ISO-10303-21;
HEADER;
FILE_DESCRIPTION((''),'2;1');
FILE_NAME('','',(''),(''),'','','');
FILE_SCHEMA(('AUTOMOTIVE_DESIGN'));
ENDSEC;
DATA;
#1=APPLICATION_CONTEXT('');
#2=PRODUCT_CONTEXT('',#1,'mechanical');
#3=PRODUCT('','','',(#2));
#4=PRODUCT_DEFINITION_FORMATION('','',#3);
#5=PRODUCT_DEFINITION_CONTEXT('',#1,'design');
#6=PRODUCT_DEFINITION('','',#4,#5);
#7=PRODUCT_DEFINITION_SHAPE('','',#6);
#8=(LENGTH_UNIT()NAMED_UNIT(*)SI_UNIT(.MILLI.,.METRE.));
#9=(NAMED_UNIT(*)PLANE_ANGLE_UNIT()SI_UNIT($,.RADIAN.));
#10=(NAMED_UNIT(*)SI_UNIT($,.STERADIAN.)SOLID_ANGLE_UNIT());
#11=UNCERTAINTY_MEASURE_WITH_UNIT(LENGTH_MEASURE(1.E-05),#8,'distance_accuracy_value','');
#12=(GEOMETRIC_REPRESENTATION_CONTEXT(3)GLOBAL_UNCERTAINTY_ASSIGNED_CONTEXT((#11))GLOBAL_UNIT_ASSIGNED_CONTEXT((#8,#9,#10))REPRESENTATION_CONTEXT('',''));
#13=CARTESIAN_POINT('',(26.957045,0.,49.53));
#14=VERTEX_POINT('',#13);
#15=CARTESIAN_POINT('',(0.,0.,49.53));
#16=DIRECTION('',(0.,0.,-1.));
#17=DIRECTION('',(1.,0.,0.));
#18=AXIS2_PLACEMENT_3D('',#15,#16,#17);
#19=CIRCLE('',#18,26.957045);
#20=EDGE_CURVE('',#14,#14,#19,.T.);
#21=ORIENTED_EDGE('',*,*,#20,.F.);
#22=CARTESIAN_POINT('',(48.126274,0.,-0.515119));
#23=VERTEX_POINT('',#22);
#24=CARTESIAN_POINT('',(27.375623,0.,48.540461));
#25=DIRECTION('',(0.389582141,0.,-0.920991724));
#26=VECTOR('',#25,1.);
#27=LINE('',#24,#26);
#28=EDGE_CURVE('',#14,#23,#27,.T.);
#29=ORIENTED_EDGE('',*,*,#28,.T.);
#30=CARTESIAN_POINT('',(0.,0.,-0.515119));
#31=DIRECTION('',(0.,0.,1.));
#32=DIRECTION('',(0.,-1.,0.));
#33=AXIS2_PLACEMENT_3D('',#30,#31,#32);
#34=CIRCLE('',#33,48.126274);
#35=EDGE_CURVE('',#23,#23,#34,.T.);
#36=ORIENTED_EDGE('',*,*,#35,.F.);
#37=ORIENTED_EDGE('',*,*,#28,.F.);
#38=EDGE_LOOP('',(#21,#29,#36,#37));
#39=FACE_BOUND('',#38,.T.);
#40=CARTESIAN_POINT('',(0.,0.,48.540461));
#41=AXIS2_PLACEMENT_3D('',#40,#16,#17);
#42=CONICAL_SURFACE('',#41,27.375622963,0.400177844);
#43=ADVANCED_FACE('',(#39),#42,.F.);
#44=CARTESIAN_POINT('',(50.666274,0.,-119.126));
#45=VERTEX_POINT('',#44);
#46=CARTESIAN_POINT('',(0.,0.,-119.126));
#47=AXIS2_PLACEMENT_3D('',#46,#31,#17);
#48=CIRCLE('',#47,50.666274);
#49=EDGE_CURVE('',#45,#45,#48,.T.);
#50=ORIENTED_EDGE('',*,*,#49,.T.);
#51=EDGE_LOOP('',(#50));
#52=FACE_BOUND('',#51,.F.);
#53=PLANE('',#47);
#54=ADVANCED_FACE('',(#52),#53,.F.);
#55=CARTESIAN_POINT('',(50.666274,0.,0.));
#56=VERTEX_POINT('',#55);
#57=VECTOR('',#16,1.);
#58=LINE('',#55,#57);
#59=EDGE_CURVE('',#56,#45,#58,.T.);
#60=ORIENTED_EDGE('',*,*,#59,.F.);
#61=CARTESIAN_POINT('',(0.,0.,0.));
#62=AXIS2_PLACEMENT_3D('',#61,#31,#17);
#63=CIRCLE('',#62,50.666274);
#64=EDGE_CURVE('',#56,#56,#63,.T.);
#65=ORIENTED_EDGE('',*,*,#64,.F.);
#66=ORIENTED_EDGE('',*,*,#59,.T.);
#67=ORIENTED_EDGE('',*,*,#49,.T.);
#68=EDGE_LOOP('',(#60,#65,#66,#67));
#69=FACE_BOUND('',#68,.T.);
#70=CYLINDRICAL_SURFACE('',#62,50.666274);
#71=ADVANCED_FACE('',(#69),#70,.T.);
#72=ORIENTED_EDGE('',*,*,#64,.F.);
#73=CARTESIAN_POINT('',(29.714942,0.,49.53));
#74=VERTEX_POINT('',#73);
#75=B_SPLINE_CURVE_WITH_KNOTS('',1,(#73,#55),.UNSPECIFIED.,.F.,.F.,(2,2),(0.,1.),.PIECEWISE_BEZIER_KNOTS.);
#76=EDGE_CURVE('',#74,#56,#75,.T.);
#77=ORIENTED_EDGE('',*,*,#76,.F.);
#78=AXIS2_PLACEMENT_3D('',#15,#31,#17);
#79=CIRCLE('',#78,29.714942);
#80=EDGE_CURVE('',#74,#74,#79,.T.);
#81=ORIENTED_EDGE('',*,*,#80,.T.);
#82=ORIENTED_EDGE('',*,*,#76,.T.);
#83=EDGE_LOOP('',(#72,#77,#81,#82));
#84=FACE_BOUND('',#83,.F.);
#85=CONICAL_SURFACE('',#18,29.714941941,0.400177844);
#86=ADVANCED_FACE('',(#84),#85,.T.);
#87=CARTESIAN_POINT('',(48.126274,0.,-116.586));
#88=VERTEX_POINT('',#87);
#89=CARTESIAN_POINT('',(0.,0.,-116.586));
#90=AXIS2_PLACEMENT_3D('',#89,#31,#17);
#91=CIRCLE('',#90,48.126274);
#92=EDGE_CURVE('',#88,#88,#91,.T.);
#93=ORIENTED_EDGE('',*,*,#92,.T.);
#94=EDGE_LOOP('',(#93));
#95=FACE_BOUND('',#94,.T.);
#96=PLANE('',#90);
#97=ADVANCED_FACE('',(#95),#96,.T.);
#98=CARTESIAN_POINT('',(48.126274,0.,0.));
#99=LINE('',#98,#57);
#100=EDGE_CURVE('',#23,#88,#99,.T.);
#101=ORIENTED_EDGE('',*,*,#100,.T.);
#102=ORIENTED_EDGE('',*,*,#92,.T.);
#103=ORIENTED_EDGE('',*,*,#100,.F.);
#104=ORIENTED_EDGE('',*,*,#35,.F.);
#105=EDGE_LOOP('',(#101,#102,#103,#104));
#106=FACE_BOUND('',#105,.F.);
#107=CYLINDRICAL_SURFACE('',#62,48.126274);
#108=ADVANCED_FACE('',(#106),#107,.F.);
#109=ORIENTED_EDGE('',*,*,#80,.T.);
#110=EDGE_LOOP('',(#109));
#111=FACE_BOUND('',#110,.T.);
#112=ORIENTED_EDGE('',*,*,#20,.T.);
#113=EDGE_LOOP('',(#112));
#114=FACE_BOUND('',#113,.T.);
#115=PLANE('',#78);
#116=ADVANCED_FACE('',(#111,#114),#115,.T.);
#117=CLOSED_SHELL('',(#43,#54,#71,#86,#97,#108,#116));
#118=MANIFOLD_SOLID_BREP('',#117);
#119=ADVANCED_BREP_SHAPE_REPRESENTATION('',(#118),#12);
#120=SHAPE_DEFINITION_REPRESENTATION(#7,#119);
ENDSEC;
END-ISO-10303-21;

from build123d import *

# Parameters (mm, degrees)
F2_R     = 29.7149419412
F0_R     = 50.6662740333
F4_DEPTH = 119.126
F5_T     = -2.54


with BuildPart() as f3:
    # F2 (on offset) → F3 section 0
    with BuildSketch(Plane.XY.offset(49.53)):
        Circle(F2_R)
    # F0 (on Top) → F3 section 1
    with BuildSketch(Plane.XY):
        Circle(F0_R)
    loft()

    # F4 (add): a face of the model
    f4_faces = [f3.faces().sort_by_distance(p)[0] for p in [
        (0, 0, 0),
    ]]
    extrude(f4_faces, amount=F4_DEPTH)

    # F5
    f5_openings = [f3.faces().sort_by_distance(p)[0] for p in [
        (0, 0, 49.53),
    ]]
    offset(amount=F5_T, openings=f5_openings, kind=Kind.INTERSECTION)


solid = f3.part
